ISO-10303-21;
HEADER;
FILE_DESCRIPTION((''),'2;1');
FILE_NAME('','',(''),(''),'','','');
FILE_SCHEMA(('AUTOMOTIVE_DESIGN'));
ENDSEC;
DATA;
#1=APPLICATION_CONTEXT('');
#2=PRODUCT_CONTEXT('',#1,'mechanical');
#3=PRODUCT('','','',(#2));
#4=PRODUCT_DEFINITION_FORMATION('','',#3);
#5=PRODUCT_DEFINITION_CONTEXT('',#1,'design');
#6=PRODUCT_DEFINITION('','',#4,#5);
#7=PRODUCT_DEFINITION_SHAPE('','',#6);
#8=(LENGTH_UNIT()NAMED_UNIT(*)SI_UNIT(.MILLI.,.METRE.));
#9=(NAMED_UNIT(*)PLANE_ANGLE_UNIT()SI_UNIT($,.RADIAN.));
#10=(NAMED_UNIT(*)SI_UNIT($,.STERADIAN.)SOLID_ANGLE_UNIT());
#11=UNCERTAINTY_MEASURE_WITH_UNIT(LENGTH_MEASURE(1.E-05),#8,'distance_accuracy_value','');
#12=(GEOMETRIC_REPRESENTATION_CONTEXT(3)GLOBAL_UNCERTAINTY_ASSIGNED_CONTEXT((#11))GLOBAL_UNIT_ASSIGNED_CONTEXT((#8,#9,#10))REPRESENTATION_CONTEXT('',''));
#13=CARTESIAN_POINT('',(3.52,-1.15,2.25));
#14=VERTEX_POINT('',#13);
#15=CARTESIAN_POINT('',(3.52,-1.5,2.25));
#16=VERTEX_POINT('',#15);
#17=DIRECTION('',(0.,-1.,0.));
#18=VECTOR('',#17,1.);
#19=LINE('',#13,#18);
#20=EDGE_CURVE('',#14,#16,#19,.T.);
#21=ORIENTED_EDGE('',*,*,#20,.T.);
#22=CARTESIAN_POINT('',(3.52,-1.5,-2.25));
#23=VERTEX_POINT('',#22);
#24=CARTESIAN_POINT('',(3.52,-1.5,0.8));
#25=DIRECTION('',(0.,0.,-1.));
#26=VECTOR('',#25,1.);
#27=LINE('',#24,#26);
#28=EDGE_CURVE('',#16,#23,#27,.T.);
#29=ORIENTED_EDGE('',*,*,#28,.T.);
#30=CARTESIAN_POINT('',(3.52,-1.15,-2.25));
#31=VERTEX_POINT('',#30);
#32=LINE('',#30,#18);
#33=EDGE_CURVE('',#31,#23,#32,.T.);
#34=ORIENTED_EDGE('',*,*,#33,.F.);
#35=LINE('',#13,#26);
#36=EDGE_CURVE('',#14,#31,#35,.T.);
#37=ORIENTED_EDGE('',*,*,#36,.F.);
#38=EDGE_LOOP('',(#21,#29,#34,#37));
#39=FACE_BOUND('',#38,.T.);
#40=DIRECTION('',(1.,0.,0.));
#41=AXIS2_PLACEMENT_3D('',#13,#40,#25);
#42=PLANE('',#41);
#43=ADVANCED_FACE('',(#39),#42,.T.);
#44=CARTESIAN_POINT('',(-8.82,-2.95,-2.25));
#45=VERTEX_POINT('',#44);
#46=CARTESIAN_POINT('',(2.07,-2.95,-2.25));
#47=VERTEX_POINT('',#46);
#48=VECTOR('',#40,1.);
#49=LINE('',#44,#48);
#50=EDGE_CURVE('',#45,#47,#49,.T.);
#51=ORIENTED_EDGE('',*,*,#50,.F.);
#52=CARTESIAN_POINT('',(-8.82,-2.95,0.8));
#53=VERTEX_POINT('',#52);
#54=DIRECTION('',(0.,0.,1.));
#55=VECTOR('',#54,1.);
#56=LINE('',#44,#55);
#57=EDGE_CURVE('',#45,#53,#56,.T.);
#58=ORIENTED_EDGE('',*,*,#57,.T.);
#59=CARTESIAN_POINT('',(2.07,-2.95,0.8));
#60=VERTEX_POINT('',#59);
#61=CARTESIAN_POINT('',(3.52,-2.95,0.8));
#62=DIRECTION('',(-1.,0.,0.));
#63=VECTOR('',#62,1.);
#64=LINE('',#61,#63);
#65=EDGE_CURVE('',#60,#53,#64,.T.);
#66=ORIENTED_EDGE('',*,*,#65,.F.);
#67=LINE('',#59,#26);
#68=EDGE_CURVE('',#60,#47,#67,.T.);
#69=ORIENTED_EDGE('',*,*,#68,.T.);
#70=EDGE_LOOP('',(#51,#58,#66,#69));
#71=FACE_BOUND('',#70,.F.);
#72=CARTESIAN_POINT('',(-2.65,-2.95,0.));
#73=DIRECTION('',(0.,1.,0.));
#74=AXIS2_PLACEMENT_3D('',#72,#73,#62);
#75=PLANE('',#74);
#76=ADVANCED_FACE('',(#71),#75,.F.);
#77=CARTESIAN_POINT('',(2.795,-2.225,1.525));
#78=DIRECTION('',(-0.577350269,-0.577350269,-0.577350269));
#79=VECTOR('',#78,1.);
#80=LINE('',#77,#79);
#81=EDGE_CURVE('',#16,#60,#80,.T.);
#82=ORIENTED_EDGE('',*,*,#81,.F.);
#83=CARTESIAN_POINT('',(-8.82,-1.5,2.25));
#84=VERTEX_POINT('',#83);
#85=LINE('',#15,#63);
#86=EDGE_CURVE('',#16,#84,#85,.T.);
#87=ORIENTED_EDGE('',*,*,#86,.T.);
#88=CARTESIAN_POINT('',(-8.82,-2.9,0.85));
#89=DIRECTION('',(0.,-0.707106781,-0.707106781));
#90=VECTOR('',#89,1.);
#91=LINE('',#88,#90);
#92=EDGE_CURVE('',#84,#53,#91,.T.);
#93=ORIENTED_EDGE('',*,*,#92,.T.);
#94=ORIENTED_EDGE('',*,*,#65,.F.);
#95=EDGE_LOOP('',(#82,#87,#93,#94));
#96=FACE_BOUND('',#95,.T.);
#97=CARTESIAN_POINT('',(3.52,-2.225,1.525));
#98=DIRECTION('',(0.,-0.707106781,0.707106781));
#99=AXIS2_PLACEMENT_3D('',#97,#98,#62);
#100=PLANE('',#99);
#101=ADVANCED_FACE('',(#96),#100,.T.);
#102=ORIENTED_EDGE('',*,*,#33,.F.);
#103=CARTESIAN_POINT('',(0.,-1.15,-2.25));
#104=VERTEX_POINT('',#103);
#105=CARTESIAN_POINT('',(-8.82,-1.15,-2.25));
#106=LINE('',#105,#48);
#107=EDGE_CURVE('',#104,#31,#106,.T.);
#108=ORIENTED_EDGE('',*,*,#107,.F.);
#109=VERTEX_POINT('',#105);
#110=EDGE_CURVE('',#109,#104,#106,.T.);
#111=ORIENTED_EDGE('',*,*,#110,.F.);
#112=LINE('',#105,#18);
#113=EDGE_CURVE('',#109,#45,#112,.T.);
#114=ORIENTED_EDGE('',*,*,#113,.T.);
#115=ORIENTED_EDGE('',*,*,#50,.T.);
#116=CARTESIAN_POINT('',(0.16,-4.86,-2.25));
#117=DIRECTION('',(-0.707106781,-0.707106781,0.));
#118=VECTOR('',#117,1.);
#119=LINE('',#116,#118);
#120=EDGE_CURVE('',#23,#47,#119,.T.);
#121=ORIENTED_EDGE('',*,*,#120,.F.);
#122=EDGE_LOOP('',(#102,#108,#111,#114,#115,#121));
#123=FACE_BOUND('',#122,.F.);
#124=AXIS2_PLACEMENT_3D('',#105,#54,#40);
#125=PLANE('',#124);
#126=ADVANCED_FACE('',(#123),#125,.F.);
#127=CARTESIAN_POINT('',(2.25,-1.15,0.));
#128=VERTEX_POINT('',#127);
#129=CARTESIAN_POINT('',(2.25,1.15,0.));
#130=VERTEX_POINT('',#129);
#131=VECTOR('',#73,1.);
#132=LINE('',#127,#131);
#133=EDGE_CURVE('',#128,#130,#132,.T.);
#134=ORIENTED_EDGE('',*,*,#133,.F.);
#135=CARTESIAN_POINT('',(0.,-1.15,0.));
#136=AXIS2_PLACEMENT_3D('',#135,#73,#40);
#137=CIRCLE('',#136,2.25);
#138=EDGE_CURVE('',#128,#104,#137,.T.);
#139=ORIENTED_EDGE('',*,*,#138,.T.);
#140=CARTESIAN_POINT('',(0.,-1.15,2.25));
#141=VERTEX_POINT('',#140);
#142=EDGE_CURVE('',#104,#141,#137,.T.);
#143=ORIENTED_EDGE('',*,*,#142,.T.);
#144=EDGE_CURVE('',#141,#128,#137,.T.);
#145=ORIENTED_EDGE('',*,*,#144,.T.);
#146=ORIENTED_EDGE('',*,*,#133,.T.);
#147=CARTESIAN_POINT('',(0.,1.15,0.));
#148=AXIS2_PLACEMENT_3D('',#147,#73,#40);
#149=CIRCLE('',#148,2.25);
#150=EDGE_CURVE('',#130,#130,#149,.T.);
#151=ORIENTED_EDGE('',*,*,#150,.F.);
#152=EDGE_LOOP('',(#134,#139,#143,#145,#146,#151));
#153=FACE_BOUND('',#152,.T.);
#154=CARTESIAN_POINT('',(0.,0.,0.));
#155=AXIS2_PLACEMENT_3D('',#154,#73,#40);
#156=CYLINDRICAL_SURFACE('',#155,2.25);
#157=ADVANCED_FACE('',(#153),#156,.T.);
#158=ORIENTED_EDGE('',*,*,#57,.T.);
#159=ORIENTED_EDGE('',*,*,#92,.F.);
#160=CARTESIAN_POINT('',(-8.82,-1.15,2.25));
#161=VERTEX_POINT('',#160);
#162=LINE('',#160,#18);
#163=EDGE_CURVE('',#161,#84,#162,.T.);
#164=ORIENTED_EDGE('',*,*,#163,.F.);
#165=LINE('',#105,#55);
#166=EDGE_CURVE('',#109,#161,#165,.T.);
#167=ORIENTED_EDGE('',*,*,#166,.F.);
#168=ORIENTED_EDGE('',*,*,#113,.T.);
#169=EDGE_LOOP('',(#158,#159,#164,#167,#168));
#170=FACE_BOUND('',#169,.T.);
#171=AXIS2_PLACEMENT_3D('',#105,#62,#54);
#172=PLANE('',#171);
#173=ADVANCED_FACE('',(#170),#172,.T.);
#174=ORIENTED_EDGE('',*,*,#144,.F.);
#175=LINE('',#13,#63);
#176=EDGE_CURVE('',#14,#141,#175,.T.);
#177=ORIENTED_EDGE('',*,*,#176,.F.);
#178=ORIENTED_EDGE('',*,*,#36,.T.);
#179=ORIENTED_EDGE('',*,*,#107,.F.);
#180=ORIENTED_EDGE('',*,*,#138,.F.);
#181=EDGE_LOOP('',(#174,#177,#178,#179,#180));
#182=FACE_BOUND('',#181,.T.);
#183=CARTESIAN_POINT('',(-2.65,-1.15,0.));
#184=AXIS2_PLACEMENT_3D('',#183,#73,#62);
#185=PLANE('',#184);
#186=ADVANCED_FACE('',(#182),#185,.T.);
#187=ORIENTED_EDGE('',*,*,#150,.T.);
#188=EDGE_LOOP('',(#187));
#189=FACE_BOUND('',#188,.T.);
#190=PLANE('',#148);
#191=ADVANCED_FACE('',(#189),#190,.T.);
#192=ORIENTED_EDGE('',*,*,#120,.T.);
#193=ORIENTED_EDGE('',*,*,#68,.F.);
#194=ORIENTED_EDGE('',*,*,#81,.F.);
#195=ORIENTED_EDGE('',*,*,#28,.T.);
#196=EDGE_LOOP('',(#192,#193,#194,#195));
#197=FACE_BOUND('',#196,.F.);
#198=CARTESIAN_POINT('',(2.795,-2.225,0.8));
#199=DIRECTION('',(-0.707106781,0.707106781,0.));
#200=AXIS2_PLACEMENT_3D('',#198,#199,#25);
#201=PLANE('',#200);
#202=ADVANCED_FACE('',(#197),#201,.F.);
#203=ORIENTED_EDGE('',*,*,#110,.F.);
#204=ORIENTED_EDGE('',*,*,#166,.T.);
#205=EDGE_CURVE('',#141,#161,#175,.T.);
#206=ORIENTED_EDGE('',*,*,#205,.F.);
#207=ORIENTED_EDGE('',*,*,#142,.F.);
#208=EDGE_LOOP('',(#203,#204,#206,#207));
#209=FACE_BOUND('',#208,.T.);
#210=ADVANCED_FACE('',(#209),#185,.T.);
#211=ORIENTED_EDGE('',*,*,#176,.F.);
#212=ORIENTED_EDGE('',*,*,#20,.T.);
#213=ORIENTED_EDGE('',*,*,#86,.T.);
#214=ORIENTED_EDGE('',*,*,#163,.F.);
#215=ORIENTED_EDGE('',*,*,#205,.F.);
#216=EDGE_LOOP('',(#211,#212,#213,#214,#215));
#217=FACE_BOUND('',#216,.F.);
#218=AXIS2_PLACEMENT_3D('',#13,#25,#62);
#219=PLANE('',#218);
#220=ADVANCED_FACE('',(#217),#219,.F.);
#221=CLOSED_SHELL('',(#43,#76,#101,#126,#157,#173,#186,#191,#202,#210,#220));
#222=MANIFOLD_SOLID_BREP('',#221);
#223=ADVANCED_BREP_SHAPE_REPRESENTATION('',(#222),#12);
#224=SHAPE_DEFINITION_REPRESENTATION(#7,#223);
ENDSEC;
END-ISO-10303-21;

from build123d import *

# Parameters (mm, degrees)
SKETCH1_R                = 2.25
BOSS_EXTRUDE1_DEPTH      = 1.15
BOSS_EXTRUDE1_DEPTH_BACK = 1.15
BOSS_EXTRUDE2_DEPTH      = 1.8
CHAMFER2_SIZE            = 1.45
CHAMFER4_SIZE            = 1.45


with BuildPart() as part:
    # Sketch1 → Boss-Extrude1 (new body, two sides)
    with BuildSketch(Plane(origin=(0, 0, 0), x_dir=(1, 0, 0), z_dir=(0, 1, 0))) as boss_extrude1_sk:
        Circle(SKETCH1_R)
    extrude(amount=BOSS_EXTRUDE1_DEPTH)
    extrude(boss_extrude1_sk.sketch, amount=-BOSS_EXTRUDE1_DEPTH_BACK)

    # Sketch2 → Boss-Extrude2 (add)
    with BuildSketch(Plane.XZ.offset(1.15)):
        Polygon((-3.52, 2.25), (3.52, 2.25), (3.52, -2.25), (-3.52, -2.25), (-8.82, -2.25), (-8.82, 2.25), align=None)
    extrude(amount=BOSS_EXTRUDE2_DEPTH)

    # Chamfer2
    chamfer2_edges = [part.edges().sort_by_distance(p)[0] for p in [
        (-2.65, -2.95, 2.25),
    ]]
    chamfer(chamfer2_edges, length=CHAMFER2_SIZE)

    # Chamfer4
    chamfer4_edges = [part.edges().sort_by_distance(p)[0] for p in [
        (3.52, -2.95, -0.725),
    ]]
    chamfer(chamfer4_edges, length=CHAMFER4_SIZE)


solid = part.part
